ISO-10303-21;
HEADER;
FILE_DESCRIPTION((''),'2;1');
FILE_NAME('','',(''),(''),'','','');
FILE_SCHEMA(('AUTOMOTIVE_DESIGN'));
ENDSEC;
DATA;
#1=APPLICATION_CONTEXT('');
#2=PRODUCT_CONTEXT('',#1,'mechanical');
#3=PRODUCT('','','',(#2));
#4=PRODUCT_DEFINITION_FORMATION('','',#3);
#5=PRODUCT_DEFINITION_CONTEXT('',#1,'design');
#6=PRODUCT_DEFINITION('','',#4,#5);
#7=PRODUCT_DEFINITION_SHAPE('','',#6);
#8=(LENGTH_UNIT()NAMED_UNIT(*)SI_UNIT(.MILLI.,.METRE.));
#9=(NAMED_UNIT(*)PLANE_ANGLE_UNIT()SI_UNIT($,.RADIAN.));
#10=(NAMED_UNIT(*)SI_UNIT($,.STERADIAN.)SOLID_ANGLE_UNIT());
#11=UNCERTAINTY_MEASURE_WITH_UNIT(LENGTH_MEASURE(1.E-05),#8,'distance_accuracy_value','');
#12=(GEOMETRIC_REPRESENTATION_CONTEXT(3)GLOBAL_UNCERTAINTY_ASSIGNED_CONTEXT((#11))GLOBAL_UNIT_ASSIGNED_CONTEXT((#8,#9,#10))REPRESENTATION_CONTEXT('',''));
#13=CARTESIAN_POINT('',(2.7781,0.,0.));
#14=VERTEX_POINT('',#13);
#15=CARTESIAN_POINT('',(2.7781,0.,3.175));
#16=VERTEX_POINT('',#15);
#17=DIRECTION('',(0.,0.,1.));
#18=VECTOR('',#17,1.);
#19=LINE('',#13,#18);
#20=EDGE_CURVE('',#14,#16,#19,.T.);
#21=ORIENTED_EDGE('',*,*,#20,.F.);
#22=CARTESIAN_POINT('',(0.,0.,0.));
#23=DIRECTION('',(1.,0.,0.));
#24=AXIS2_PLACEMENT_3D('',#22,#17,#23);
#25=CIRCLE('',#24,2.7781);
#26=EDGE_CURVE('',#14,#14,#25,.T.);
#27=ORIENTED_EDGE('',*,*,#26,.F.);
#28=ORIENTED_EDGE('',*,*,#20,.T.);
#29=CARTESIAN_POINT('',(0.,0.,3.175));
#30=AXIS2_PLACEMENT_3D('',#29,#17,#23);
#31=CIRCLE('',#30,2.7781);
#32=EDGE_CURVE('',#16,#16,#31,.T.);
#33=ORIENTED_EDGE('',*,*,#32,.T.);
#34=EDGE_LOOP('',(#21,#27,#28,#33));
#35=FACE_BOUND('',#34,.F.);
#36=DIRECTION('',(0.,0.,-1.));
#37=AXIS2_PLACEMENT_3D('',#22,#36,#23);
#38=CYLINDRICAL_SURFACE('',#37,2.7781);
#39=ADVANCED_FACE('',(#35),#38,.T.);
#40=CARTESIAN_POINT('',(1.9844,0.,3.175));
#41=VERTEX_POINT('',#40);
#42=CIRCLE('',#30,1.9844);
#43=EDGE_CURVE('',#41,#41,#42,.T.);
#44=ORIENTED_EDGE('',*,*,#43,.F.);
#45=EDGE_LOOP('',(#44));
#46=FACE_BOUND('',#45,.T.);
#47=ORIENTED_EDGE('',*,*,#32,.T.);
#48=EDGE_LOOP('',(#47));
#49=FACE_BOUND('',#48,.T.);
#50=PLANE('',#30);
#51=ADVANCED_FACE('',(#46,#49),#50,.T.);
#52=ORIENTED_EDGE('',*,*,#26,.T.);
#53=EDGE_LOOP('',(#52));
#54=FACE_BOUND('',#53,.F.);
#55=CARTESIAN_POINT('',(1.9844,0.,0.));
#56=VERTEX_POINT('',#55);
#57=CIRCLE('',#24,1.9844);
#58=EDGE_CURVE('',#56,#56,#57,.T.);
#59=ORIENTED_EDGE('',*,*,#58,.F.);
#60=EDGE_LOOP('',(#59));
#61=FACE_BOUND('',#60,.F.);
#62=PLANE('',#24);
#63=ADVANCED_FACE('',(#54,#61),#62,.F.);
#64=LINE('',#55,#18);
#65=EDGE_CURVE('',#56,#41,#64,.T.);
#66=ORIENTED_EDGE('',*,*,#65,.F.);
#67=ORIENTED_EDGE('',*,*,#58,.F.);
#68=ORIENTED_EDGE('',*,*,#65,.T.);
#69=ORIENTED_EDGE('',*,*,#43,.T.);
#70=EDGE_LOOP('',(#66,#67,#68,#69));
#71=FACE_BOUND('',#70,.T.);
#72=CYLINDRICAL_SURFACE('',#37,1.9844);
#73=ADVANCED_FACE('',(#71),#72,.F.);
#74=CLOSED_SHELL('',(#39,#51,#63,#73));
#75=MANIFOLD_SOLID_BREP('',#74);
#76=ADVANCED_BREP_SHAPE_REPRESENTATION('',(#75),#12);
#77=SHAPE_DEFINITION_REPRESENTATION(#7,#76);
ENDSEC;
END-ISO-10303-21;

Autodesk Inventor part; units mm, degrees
ref_plane "YZ Plane" through (0, 0, 0) normal (1, 0, 0) x (0, 1, 0)
ref_plane "XZ Plane" through (0, 0, 0) normal (0, 1, 0) x (-1, 0, 0)
ref_plane "XY Plane" through (0, 0, 0) normal (0, 0, 1) x (1, 0, 0)
sketch "Sketch1" plane through (0, 0, 0) normal (0, 0, 1) x (1, 0, 0)
  circle A0 centre (0, 0) radius 1.9844
  circle A1 centre (0, 0) radius 2.7781
  dimension "d0" = 3.9688
  dimension "d1" = 5.5563
extrude "Extrusion1" add sketch "Sketch1" along normal blind 3.175
properties part number "Tiny Spacer"
